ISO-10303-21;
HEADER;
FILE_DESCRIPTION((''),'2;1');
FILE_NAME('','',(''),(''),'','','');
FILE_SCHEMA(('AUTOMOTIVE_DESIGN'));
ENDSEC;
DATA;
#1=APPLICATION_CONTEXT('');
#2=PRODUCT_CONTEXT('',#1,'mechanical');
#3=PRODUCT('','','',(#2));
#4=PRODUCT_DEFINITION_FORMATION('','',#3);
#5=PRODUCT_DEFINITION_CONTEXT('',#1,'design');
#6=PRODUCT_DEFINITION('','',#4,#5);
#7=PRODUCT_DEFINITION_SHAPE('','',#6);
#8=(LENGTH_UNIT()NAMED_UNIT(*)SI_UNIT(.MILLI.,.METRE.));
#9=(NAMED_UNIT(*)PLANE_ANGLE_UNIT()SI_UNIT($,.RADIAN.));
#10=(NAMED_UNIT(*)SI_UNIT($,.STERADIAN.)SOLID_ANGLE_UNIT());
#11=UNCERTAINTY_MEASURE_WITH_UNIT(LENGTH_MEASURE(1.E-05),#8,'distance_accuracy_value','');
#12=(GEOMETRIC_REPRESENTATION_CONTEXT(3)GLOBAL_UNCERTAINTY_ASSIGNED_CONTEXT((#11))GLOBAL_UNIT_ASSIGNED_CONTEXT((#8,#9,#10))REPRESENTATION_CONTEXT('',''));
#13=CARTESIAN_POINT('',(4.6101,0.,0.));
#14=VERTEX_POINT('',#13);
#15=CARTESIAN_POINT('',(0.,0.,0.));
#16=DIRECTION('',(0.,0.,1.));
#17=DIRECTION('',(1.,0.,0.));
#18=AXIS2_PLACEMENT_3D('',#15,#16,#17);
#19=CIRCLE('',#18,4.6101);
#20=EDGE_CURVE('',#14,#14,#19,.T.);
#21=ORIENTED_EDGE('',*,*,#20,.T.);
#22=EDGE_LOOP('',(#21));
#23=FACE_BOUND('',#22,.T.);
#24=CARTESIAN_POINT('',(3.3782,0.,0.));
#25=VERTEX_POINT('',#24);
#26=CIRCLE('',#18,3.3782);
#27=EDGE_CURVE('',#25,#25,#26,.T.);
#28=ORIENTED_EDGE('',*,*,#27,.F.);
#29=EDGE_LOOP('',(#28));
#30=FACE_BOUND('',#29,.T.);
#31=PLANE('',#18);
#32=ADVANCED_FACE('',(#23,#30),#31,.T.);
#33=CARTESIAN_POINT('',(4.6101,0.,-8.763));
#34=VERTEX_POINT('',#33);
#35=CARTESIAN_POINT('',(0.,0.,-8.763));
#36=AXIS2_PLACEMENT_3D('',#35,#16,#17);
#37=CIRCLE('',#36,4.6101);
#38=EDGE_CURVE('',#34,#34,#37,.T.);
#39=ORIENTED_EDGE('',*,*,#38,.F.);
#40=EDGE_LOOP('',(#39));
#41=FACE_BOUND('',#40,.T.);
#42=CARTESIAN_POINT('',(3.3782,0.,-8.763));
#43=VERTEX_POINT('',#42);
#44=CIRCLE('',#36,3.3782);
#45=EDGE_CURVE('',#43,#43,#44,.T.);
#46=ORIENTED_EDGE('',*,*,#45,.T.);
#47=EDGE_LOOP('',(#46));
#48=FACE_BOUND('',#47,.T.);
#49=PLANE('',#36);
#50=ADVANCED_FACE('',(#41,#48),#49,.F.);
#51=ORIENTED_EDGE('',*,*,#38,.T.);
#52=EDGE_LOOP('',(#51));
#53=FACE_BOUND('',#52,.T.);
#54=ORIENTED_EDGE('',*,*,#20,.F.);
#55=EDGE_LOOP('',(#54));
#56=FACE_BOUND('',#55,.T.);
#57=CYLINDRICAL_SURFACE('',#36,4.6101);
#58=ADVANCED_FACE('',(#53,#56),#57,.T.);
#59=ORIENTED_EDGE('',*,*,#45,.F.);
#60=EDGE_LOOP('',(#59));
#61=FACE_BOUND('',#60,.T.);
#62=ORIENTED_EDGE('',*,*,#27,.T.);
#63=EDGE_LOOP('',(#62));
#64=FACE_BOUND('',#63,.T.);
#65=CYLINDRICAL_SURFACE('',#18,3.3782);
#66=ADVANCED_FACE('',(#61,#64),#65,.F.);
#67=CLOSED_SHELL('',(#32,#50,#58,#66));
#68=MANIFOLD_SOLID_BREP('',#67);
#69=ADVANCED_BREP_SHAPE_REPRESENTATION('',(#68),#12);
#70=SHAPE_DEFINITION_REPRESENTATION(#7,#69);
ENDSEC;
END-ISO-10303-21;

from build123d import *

# Parameters (mm, degrees)
SKETCH1_R                = 4.6101
BOSS_EXTRUDE1_DEPTH      = 8.763
H_0_266_DIAMETER_HOLE1_D = 6.7564


with BuildPart() as part:
    # Sketch1 → Boss-Extrude1 (new body)
    with BuildSketch(Plane.XY):
        Circle(SKETCH1_R)
    extrude(amount=-BOSS_EXTRUDE1_DEPTH)

    # H (0.266) Diameter Hole1 (through all)
    with Locations(Plane.XY):
        with Locations((0, 0)):
            Hole(H_0_266_DIAMETER_HOLE1_D / 2)


solid = part.part
